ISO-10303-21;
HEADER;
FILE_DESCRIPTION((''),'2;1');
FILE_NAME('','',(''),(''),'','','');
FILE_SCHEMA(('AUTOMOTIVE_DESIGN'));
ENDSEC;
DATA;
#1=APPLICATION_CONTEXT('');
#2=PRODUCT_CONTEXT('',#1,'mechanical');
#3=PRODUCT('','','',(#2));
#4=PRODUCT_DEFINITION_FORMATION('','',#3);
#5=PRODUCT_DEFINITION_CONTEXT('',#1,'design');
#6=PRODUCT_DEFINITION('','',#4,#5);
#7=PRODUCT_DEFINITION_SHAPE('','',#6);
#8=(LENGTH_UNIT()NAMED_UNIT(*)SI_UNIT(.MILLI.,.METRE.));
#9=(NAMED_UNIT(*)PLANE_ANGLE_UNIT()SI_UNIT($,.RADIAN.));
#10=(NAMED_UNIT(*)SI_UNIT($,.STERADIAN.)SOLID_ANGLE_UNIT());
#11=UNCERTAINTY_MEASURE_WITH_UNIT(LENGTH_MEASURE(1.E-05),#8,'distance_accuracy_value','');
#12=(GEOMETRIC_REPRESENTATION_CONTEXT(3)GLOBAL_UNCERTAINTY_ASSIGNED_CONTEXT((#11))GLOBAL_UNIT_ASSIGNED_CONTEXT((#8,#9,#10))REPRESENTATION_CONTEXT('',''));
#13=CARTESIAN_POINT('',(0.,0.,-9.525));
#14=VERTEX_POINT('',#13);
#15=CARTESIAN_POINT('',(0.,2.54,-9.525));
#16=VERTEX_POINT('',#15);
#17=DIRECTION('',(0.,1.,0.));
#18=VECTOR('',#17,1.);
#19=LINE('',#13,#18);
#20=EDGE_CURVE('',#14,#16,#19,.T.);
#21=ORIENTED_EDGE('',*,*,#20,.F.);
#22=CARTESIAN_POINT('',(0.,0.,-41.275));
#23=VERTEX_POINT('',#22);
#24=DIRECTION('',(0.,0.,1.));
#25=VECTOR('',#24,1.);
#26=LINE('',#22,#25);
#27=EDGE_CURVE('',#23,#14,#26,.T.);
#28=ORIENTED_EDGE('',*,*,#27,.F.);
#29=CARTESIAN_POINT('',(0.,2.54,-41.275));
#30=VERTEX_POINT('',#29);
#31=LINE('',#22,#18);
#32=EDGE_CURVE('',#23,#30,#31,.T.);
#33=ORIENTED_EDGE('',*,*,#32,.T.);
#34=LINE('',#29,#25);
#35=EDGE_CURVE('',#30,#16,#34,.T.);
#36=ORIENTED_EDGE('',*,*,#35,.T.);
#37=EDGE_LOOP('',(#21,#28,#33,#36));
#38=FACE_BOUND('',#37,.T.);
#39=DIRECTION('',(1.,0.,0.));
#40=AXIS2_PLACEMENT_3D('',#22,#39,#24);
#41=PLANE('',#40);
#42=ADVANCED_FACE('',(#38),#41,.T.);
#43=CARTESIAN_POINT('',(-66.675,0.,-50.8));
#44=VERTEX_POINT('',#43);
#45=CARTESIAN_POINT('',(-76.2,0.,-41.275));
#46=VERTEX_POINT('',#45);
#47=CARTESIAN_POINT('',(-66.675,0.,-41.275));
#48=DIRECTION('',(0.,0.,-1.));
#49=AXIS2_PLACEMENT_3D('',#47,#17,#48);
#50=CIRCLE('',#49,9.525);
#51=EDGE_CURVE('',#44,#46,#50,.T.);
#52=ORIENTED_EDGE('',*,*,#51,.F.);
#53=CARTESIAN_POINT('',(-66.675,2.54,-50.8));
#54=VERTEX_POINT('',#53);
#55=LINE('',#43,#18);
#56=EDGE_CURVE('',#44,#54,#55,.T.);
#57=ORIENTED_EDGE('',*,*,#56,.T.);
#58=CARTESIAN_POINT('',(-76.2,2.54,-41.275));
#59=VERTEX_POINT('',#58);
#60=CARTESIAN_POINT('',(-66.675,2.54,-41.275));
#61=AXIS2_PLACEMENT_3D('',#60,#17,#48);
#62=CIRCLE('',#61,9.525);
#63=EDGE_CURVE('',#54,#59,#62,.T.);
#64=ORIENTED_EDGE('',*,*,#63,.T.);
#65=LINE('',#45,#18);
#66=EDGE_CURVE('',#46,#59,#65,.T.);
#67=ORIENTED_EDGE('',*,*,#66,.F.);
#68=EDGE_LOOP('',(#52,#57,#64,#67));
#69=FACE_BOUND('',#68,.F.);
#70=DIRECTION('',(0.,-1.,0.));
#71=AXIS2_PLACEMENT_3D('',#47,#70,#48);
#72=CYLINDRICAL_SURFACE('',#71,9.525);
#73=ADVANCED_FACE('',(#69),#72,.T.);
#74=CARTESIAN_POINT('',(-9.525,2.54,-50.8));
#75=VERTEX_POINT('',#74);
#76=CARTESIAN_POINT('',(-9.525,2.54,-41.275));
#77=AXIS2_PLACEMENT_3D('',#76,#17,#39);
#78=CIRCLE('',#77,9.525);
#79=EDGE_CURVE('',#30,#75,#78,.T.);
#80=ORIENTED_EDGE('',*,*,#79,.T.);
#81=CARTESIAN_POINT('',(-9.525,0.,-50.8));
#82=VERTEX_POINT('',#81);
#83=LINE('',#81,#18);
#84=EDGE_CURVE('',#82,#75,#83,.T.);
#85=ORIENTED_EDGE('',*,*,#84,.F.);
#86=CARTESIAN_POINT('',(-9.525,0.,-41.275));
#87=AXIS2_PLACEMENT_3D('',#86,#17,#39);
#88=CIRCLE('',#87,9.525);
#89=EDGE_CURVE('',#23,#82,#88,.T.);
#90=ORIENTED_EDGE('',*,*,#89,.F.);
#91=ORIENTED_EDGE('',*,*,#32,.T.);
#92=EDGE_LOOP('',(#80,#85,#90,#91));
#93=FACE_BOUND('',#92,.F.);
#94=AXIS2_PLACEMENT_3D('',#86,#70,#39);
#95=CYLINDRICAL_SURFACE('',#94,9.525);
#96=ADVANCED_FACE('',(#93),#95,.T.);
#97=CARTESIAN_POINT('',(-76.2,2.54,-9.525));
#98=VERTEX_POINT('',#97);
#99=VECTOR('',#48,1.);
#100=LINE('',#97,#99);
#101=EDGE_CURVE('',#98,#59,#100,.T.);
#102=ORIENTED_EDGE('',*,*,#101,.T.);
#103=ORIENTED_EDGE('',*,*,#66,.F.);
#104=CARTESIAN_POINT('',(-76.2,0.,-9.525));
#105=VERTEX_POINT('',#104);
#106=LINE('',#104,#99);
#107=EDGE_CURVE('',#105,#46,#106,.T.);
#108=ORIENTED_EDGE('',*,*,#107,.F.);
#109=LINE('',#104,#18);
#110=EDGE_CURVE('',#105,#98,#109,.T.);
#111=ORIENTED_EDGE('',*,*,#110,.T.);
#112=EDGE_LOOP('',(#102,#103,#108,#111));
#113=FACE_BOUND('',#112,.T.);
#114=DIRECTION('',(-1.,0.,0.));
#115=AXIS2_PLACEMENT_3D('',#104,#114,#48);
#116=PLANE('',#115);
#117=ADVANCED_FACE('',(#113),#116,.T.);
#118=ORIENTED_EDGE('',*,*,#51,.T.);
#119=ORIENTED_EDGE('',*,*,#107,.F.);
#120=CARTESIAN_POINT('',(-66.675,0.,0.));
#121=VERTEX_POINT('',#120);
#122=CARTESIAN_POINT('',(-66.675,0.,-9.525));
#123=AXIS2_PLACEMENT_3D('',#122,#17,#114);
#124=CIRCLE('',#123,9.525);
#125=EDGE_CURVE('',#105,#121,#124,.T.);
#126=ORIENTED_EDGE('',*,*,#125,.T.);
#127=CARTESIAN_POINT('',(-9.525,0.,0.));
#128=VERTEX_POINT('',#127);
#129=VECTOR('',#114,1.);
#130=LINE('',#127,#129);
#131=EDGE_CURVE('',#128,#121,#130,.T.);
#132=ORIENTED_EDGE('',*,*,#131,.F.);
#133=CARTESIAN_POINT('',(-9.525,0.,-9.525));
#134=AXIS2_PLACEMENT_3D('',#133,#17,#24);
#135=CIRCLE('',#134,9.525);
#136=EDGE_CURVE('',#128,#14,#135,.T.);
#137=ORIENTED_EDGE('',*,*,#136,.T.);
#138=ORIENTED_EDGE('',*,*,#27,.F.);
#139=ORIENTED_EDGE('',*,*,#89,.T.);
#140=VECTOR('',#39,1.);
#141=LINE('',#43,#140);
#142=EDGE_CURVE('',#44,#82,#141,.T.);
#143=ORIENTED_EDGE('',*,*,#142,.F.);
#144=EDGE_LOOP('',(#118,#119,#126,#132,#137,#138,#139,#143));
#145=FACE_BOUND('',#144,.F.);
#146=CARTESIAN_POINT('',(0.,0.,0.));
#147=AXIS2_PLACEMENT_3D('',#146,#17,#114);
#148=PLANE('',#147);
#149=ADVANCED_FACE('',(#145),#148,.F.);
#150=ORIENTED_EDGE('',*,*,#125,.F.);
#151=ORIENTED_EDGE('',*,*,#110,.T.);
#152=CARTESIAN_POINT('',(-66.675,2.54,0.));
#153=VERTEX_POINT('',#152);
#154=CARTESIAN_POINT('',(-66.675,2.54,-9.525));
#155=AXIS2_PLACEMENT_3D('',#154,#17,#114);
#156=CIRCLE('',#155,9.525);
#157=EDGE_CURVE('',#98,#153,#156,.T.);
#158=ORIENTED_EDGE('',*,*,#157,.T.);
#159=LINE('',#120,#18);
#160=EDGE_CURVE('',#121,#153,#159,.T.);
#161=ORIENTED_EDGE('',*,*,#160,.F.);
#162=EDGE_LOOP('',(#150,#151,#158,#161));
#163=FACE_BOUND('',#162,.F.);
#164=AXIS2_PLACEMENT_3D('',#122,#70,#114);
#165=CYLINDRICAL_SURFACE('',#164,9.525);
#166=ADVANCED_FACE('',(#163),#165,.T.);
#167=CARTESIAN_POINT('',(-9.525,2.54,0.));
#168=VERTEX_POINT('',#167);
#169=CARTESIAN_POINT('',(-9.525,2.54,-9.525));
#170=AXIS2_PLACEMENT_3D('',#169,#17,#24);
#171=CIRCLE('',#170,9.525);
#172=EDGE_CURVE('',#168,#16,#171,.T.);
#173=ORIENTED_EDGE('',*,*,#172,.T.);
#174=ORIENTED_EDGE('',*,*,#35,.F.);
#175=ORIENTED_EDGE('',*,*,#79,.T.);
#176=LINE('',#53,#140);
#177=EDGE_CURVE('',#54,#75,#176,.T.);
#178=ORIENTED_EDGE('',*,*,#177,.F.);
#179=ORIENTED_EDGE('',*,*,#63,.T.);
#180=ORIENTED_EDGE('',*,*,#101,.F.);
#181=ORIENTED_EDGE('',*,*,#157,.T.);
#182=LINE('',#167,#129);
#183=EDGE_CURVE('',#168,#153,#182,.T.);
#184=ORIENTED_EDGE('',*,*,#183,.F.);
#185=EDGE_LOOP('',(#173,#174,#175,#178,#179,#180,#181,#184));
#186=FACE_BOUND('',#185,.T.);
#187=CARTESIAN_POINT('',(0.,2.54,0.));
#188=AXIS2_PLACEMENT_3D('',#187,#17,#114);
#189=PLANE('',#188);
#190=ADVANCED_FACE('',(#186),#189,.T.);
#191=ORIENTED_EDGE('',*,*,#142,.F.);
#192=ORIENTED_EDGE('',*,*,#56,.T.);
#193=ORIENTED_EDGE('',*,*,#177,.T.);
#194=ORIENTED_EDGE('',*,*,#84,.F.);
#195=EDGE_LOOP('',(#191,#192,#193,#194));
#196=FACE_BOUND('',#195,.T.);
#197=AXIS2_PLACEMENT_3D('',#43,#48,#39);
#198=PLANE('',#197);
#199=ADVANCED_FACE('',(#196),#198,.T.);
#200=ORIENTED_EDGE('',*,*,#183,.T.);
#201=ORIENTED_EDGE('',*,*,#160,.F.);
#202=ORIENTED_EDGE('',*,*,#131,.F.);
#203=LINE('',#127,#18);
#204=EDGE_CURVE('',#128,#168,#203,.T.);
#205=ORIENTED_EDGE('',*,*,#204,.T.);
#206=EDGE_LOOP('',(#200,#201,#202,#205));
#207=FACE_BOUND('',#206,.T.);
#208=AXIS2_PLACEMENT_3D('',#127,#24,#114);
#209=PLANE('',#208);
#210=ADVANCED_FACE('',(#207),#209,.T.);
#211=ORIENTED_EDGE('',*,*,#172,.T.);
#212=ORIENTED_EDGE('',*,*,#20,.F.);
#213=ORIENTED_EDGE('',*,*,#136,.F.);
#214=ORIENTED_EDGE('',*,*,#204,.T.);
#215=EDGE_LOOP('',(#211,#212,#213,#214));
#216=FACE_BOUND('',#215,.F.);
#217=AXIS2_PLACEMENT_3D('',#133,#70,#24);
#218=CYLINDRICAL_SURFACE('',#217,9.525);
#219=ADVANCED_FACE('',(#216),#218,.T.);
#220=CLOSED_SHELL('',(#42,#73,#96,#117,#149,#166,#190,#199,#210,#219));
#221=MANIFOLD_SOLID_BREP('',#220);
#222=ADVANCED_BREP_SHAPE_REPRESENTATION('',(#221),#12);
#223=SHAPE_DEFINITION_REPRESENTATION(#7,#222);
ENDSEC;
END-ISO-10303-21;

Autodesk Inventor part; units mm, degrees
ref_plane "YZ Plane" through (0, 0, 0) normal (1, 0, 0) x (0, 1, 0)
ref_plane "XZ Plane" through (0, 0, 0) normal (0, 1, 0) x (-1, 0, 0)
ref_plane "XY Plane" through (0, 0, 0) normal (0, 0, 1) x (1, 0, 0)
sketch "Sketch1" plane through (0, 0, 0) normal (0, 1, 0) x (-1, 0, 0)
  line L0 (9.525, 0) -> (66.675, 0)
  line L1 (76.2, -9.525) -> (76.2, -41.275)
  line L2 (66.675, -50.8) -> (9.525, -50.8)
  line L3 (0, -41.275) -> (0, -9.525)
  arc A0 (76.2, -9.525) -> (66.675, 0) centre (66.675, -9.525) ccw
  arc A1 (66.675, -50.8) -> (76.2, -41.275) centre (66.675, -41.275) ccw
  arc A2 (0, -41.275) -> (9.525, -50.8) centre (9.525, -41.275) ccw
  arc A3 (9.525, 0) -> (0, -9.525) centre (9.525, -9.525) ccw
  point P0 (0, 0)
  point P1 (76.2, 0)
  point P2 (76.2, -50.8)
  point P3 (0, -50.8)
  dimension "d0" = 50.8
  dimension "d1" = 76.2
  dimension "d2" = 9.525
  dimension "d3" = 9.525
extrude "Extrusion1" add sketch "Sketch1" along normal blind 2.54
properties part number "bottom ecoflex layer" material "PMMA Plastic"
